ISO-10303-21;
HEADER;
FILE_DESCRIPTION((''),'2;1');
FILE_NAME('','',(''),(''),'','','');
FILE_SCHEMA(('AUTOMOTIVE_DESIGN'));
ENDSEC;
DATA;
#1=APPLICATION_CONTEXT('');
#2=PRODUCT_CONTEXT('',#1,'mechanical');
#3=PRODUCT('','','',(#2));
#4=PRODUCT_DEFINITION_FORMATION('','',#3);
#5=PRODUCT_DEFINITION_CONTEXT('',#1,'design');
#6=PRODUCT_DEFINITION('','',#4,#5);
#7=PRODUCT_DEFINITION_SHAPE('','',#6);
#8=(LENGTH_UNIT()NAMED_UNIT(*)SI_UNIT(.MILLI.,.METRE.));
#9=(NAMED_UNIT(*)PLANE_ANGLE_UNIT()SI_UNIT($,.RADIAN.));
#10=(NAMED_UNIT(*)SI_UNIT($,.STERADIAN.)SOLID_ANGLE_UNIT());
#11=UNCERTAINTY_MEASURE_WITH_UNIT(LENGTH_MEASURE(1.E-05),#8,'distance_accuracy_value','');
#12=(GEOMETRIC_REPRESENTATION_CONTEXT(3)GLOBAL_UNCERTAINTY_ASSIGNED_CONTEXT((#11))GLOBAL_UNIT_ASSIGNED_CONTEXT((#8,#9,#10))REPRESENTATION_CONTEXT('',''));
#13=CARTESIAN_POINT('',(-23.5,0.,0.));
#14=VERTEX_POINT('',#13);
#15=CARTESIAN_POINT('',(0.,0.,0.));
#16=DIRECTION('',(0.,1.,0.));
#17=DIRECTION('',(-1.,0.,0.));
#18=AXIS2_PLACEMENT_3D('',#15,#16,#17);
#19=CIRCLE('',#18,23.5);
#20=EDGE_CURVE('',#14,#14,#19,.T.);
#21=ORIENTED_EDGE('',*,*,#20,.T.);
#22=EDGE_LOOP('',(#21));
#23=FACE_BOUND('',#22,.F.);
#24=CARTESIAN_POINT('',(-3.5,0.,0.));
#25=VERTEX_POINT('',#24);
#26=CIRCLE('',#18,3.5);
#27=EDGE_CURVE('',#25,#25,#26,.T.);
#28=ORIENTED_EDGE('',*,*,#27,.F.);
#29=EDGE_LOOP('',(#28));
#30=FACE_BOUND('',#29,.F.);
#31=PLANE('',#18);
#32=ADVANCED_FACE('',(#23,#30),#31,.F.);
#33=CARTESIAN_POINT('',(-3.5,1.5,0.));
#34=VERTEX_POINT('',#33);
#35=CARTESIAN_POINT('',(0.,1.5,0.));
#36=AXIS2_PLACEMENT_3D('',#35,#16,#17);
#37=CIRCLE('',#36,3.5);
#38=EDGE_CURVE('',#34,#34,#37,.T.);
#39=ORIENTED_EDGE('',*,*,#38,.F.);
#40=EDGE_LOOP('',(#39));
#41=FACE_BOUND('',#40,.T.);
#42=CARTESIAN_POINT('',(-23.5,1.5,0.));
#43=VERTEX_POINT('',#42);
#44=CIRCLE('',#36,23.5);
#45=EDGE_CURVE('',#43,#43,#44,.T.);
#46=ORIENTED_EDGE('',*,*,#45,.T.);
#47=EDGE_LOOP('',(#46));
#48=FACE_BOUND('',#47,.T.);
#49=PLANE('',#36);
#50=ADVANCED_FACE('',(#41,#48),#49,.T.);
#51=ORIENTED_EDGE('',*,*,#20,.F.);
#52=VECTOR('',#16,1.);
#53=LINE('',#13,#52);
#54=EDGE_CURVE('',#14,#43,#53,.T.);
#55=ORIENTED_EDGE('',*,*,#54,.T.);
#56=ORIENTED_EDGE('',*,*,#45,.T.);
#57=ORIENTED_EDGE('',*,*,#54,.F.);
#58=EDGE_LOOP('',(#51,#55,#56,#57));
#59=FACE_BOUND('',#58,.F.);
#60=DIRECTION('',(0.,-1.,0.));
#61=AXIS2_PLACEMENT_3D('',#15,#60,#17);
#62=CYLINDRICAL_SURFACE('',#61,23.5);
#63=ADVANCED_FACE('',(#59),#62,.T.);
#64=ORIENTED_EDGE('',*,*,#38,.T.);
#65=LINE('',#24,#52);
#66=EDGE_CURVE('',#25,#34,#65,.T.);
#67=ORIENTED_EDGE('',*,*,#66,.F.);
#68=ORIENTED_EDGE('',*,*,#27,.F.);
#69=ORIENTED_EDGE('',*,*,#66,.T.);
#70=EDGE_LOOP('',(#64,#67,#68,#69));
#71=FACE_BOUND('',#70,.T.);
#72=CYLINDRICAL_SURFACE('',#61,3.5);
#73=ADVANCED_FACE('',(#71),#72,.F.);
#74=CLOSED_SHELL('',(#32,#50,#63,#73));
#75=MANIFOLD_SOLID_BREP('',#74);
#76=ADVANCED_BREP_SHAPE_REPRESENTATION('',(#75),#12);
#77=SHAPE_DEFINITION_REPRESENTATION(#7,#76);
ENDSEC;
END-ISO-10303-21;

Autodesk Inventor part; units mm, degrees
ref_plane "YZ Plane" through (0, 0, 0) normal (1, 0, 0) x (0, 1, 0)
ref_plane "XZ Plane" through (0, 0, 0) normal (0, 1, 0) x (-1, 0, 0)
ref_plane "XY Plane" through (0, 0, 0) normal (0, 0, 1) x (1, 0, 0)
sketch "Skizze1" plane through (0, 0, 0) normal (0, 1, 0) x (-1, 0, 0)
  circle A0 centre (0, 0) radius 23.5
  circle A1 centre (0, 0) radius 3.5
  dimension "d0" = 47
  dimension "d1" = 7
extrude "Extrusion1" add sketch "Skizze1" along normal blind 1.5
properties part number "encoder_wheel"
